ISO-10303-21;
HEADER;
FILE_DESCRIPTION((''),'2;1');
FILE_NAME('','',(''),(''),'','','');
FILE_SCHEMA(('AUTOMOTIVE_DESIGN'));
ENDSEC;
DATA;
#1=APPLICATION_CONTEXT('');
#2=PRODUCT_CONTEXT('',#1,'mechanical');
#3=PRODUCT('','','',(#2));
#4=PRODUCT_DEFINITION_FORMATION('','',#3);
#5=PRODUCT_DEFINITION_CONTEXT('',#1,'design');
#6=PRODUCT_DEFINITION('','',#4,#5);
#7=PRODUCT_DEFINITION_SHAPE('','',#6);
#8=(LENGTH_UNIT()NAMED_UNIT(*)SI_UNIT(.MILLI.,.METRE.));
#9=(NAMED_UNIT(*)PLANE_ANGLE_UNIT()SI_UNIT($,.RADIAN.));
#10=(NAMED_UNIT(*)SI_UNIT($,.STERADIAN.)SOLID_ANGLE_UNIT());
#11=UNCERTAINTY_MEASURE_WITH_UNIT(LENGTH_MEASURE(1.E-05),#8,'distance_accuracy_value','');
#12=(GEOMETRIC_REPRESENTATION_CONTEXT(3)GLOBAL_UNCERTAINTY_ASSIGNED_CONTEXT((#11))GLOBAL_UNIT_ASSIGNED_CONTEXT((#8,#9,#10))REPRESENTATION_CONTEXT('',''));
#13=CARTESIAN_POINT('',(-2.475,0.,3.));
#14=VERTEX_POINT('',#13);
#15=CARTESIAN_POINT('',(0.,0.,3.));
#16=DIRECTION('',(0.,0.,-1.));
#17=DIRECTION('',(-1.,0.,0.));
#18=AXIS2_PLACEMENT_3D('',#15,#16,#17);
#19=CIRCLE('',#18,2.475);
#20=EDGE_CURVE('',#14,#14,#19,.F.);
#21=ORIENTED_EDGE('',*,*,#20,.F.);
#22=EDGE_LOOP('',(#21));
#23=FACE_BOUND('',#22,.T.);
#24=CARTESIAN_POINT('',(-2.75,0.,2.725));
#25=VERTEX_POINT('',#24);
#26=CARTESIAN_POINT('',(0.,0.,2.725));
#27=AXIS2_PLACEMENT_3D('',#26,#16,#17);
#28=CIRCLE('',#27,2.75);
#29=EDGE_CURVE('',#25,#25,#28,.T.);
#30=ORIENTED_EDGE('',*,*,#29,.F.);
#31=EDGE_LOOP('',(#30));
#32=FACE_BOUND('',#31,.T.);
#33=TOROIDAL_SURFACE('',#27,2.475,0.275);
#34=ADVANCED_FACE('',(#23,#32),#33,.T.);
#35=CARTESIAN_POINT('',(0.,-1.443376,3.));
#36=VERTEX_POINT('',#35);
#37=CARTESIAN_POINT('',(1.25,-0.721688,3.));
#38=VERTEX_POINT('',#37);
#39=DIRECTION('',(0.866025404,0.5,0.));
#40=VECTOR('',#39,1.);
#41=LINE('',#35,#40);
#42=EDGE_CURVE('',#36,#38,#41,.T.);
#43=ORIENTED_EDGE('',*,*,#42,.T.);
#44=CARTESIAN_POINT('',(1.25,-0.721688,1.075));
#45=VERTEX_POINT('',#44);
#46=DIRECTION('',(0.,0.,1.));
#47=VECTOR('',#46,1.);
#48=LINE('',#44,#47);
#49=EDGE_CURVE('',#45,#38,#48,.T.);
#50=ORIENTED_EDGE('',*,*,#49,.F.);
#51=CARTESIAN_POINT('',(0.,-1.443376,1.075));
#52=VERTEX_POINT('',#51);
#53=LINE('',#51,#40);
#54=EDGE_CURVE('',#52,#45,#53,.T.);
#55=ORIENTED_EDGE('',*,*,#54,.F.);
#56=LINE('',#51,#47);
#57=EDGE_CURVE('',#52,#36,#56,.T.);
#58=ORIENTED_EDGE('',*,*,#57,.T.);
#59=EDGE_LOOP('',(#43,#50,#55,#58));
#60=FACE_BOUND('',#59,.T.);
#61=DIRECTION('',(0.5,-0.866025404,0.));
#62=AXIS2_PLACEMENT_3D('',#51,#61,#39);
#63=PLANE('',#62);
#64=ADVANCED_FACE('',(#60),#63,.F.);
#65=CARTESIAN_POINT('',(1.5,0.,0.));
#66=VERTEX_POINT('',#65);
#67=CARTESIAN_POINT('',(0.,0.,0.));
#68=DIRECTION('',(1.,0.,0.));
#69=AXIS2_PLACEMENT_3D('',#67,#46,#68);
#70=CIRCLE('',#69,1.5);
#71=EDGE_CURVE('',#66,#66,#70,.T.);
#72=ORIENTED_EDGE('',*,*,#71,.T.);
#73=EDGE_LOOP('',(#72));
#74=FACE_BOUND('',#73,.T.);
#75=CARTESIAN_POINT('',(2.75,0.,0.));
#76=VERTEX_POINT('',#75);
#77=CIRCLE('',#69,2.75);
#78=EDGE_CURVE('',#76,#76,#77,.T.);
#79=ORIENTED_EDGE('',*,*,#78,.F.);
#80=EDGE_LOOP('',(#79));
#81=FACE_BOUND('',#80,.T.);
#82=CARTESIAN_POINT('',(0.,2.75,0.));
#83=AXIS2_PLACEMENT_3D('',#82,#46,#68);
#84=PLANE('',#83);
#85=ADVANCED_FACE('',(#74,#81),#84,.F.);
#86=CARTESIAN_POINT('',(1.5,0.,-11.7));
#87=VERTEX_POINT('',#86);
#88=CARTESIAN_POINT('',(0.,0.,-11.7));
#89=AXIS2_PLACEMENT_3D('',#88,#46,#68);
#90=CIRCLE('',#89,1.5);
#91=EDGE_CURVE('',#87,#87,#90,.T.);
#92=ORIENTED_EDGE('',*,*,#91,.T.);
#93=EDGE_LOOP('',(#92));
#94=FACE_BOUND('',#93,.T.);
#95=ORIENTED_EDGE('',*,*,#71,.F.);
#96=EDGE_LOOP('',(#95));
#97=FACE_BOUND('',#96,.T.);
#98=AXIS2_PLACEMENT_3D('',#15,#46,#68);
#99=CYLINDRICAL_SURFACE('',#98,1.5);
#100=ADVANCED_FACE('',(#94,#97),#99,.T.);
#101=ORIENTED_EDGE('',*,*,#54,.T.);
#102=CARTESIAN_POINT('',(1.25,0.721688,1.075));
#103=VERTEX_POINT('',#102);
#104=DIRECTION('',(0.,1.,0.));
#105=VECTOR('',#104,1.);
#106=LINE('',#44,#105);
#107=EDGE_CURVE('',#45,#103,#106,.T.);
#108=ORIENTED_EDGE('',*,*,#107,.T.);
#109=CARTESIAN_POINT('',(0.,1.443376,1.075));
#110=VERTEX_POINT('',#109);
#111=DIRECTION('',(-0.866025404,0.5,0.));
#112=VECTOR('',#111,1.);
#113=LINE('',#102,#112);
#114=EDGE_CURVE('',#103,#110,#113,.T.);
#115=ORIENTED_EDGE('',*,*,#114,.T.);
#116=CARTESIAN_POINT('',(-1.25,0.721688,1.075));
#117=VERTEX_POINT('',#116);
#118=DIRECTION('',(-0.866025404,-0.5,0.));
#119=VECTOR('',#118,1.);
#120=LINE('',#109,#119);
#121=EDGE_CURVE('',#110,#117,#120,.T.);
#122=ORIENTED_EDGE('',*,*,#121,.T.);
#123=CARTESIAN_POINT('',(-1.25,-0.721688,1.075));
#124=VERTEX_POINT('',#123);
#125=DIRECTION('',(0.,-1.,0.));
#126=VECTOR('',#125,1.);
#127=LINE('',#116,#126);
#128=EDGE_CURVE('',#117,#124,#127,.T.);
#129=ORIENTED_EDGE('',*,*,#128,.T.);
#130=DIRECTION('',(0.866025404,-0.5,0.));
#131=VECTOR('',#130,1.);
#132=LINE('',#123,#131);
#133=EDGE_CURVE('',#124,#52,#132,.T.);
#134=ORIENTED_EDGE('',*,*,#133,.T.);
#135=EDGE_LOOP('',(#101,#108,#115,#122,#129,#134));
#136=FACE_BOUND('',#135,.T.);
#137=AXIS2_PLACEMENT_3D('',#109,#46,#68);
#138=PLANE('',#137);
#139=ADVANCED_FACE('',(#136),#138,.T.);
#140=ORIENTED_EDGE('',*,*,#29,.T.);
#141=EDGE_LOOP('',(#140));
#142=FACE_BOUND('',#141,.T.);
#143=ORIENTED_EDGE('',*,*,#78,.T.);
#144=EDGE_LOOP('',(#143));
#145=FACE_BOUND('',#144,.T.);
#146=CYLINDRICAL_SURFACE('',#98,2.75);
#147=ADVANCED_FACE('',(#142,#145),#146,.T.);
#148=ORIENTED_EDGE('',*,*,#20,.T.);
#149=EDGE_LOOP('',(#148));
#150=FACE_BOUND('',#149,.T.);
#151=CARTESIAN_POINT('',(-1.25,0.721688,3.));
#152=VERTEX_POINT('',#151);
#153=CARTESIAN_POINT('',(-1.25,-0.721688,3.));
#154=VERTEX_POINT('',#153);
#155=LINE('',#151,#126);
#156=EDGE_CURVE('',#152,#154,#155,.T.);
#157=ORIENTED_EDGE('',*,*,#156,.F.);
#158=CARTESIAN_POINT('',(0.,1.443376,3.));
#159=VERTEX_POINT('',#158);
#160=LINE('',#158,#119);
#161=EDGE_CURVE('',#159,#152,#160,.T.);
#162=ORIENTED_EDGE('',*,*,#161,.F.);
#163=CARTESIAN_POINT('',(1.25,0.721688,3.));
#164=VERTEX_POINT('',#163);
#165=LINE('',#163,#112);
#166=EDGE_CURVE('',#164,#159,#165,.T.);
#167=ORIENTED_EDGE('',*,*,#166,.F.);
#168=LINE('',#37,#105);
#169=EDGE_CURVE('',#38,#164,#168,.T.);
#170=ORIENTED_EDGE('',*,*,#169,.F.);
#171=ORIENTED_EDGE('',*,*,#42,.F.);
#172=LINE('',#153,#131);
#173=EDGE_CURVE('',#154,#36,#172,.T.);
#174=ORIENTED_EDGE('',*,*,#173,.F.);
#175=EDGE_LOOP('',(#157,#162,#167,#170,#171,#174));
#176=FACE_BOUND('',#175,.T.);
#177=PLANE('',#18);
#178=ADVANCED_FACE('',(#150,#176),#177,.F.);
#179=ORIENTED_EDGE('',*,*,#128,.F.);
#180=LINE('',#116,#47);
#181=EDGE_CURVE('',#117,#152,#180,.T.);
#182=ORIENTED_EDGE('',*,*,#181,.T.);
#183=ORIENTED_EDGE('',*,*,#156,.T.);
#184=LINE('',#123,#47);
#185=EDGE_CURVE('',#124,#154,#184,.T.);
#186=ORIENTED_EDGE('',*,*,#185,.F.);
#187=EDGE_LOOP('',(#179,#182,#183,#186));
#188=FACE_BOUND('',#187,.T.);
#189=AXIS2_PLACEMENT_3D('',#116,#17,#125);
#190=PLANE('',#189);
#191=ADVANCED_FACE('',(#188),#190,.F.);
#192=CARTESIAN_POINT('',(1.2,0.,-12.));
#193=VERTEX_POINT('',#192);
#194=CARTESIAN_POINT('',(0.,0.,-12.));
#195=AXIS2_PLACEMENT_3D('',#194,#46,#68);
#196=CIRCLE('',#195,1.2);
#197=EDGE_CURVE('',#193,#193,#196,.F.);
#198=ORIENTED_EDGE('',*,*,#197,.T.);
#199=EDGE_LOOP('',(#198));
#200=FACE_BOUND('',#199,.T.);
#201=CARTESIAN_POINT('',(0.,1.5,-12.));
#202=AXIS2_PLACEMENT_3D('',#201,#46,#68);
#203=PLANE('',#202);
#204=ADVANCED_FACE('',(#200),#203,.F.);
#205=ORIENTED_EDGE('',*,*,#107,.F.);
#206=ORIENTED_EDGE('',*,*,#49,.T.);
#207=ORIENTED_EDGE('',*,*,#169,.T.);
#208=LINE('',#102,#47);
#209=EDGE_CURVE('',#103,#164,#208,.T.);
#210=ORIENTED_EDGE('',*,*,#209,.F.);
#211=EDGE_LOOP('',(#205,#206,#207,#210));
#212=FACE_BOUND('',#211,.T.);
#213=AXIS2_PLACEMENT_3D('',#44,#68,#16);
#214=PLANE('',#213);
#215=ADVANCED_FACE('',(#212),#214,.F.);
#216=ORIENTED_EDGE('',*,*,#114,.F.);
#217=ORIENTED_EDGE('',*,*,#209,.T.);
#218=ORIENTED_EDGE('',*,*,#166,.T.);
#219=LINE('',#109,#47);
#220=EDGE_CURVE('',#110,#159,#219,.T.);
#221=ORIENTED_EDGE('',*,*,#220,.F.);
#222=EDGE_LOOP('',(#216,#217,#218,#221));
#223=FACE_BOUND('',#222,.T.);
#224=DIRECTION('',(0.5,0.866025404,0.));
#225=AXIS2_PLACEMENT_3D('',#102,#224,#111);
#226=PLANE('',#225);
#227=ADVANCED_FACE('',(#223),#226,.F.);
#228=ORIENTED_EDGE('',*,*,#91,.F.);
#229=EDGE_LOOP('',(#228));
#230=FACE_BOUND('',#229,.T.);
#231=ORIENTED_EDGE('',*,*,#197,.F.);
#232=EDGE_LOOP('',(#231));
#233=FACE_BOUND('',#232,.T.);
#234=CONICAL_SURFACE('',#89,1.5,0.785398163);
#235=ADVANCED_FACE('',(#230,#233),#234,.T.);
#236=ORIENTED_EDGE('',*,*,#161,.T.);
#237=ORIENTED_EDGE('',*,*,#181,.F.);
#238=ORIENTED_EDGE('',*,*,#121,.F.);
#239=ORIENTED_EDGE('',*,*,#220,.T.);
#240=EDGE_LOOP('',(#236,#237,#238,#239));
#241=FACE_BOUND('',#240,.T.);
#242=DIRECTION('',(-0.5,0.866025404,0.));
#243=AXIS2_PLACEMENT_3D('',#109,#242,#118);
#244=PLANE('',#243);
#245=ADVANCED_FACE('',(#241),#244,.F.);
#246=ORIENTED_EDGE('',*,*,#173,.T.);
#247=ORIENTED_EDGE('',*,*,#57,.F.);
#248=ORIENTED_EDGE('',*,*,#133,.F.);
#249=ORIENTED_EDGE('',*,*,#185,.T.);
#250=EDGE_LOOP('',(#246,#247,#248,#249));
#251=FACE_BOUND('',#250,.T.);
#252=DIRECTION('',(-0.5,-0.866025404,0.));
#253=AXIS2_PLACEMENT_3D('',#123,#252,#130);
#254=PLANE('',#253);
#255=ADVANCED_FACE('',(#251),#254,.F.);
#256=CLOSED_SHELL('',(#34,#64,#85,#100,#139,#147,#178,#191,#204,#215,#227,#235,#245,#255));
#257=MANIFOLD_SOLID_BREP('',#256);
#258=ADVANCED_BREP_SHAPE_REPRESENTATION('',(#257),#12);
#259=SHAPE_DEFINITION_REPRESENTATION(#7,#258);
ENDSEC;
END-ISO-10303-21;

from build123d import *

# Parameters (mm, degrees)
CUT_EXTRUDE_1_DEPTH = 1.925
FILLET_1_R          = 0.275
CHAMFER_1_SIZE      = 0.3


with BuildPart() as part:
    # 草图3 → 旋转1 (revolve)
    with BuildSketch(Plane(origin=(0, 0, 0), x_dir=(0, 0, -1), z_dir=(1, 0, 0)), mode=Mode.PRIVATE) as revolve_1_sk:
        Polygon((-3, 0), (-3, 2.75), (0, 2.75), (0, 1.5), (12, 1.5), (12, 0), align=None)
    revolve(revolve_1_sk.sketch.rotate(Axis((0, 0, 3), (0, 0, -1)), 90), axis=Axis((0, 0, 3), (0, 0, -1)))

    # 草图4 → 切除-拉伸1 (cut)
    with BuildSketch(Plane.XY.offset(3)):
        Polygon((0, 1.443375673), (-1.25, 0.721687836), (-1.25, -0.721687836), (0, -1.443375673), (1.25, -0.721687836), (1.25, 0.721687836), align=None)
    extrude(amount=-CUT_EXTRUDE_1_DEPTH, mode=Mode.SUBTRACT)

    # 圆角1
    fillet_1_edges = [part.edges().sort_by_distance(p)[0] for p in [
        (-2.75, 0, 3),
    ]]
    fillet(fillet_1_edges, radius=FILLET_1_R)

    # 倒角1
    chamfer_1_edges = [part.edges().sort_by_distance(p)[0] for p in [
        (-1.5, 0, -12),
    ]]
    chamfer(chamfer_1_edges, length=CHAMFER_1_SIZE)


solid = part.part
